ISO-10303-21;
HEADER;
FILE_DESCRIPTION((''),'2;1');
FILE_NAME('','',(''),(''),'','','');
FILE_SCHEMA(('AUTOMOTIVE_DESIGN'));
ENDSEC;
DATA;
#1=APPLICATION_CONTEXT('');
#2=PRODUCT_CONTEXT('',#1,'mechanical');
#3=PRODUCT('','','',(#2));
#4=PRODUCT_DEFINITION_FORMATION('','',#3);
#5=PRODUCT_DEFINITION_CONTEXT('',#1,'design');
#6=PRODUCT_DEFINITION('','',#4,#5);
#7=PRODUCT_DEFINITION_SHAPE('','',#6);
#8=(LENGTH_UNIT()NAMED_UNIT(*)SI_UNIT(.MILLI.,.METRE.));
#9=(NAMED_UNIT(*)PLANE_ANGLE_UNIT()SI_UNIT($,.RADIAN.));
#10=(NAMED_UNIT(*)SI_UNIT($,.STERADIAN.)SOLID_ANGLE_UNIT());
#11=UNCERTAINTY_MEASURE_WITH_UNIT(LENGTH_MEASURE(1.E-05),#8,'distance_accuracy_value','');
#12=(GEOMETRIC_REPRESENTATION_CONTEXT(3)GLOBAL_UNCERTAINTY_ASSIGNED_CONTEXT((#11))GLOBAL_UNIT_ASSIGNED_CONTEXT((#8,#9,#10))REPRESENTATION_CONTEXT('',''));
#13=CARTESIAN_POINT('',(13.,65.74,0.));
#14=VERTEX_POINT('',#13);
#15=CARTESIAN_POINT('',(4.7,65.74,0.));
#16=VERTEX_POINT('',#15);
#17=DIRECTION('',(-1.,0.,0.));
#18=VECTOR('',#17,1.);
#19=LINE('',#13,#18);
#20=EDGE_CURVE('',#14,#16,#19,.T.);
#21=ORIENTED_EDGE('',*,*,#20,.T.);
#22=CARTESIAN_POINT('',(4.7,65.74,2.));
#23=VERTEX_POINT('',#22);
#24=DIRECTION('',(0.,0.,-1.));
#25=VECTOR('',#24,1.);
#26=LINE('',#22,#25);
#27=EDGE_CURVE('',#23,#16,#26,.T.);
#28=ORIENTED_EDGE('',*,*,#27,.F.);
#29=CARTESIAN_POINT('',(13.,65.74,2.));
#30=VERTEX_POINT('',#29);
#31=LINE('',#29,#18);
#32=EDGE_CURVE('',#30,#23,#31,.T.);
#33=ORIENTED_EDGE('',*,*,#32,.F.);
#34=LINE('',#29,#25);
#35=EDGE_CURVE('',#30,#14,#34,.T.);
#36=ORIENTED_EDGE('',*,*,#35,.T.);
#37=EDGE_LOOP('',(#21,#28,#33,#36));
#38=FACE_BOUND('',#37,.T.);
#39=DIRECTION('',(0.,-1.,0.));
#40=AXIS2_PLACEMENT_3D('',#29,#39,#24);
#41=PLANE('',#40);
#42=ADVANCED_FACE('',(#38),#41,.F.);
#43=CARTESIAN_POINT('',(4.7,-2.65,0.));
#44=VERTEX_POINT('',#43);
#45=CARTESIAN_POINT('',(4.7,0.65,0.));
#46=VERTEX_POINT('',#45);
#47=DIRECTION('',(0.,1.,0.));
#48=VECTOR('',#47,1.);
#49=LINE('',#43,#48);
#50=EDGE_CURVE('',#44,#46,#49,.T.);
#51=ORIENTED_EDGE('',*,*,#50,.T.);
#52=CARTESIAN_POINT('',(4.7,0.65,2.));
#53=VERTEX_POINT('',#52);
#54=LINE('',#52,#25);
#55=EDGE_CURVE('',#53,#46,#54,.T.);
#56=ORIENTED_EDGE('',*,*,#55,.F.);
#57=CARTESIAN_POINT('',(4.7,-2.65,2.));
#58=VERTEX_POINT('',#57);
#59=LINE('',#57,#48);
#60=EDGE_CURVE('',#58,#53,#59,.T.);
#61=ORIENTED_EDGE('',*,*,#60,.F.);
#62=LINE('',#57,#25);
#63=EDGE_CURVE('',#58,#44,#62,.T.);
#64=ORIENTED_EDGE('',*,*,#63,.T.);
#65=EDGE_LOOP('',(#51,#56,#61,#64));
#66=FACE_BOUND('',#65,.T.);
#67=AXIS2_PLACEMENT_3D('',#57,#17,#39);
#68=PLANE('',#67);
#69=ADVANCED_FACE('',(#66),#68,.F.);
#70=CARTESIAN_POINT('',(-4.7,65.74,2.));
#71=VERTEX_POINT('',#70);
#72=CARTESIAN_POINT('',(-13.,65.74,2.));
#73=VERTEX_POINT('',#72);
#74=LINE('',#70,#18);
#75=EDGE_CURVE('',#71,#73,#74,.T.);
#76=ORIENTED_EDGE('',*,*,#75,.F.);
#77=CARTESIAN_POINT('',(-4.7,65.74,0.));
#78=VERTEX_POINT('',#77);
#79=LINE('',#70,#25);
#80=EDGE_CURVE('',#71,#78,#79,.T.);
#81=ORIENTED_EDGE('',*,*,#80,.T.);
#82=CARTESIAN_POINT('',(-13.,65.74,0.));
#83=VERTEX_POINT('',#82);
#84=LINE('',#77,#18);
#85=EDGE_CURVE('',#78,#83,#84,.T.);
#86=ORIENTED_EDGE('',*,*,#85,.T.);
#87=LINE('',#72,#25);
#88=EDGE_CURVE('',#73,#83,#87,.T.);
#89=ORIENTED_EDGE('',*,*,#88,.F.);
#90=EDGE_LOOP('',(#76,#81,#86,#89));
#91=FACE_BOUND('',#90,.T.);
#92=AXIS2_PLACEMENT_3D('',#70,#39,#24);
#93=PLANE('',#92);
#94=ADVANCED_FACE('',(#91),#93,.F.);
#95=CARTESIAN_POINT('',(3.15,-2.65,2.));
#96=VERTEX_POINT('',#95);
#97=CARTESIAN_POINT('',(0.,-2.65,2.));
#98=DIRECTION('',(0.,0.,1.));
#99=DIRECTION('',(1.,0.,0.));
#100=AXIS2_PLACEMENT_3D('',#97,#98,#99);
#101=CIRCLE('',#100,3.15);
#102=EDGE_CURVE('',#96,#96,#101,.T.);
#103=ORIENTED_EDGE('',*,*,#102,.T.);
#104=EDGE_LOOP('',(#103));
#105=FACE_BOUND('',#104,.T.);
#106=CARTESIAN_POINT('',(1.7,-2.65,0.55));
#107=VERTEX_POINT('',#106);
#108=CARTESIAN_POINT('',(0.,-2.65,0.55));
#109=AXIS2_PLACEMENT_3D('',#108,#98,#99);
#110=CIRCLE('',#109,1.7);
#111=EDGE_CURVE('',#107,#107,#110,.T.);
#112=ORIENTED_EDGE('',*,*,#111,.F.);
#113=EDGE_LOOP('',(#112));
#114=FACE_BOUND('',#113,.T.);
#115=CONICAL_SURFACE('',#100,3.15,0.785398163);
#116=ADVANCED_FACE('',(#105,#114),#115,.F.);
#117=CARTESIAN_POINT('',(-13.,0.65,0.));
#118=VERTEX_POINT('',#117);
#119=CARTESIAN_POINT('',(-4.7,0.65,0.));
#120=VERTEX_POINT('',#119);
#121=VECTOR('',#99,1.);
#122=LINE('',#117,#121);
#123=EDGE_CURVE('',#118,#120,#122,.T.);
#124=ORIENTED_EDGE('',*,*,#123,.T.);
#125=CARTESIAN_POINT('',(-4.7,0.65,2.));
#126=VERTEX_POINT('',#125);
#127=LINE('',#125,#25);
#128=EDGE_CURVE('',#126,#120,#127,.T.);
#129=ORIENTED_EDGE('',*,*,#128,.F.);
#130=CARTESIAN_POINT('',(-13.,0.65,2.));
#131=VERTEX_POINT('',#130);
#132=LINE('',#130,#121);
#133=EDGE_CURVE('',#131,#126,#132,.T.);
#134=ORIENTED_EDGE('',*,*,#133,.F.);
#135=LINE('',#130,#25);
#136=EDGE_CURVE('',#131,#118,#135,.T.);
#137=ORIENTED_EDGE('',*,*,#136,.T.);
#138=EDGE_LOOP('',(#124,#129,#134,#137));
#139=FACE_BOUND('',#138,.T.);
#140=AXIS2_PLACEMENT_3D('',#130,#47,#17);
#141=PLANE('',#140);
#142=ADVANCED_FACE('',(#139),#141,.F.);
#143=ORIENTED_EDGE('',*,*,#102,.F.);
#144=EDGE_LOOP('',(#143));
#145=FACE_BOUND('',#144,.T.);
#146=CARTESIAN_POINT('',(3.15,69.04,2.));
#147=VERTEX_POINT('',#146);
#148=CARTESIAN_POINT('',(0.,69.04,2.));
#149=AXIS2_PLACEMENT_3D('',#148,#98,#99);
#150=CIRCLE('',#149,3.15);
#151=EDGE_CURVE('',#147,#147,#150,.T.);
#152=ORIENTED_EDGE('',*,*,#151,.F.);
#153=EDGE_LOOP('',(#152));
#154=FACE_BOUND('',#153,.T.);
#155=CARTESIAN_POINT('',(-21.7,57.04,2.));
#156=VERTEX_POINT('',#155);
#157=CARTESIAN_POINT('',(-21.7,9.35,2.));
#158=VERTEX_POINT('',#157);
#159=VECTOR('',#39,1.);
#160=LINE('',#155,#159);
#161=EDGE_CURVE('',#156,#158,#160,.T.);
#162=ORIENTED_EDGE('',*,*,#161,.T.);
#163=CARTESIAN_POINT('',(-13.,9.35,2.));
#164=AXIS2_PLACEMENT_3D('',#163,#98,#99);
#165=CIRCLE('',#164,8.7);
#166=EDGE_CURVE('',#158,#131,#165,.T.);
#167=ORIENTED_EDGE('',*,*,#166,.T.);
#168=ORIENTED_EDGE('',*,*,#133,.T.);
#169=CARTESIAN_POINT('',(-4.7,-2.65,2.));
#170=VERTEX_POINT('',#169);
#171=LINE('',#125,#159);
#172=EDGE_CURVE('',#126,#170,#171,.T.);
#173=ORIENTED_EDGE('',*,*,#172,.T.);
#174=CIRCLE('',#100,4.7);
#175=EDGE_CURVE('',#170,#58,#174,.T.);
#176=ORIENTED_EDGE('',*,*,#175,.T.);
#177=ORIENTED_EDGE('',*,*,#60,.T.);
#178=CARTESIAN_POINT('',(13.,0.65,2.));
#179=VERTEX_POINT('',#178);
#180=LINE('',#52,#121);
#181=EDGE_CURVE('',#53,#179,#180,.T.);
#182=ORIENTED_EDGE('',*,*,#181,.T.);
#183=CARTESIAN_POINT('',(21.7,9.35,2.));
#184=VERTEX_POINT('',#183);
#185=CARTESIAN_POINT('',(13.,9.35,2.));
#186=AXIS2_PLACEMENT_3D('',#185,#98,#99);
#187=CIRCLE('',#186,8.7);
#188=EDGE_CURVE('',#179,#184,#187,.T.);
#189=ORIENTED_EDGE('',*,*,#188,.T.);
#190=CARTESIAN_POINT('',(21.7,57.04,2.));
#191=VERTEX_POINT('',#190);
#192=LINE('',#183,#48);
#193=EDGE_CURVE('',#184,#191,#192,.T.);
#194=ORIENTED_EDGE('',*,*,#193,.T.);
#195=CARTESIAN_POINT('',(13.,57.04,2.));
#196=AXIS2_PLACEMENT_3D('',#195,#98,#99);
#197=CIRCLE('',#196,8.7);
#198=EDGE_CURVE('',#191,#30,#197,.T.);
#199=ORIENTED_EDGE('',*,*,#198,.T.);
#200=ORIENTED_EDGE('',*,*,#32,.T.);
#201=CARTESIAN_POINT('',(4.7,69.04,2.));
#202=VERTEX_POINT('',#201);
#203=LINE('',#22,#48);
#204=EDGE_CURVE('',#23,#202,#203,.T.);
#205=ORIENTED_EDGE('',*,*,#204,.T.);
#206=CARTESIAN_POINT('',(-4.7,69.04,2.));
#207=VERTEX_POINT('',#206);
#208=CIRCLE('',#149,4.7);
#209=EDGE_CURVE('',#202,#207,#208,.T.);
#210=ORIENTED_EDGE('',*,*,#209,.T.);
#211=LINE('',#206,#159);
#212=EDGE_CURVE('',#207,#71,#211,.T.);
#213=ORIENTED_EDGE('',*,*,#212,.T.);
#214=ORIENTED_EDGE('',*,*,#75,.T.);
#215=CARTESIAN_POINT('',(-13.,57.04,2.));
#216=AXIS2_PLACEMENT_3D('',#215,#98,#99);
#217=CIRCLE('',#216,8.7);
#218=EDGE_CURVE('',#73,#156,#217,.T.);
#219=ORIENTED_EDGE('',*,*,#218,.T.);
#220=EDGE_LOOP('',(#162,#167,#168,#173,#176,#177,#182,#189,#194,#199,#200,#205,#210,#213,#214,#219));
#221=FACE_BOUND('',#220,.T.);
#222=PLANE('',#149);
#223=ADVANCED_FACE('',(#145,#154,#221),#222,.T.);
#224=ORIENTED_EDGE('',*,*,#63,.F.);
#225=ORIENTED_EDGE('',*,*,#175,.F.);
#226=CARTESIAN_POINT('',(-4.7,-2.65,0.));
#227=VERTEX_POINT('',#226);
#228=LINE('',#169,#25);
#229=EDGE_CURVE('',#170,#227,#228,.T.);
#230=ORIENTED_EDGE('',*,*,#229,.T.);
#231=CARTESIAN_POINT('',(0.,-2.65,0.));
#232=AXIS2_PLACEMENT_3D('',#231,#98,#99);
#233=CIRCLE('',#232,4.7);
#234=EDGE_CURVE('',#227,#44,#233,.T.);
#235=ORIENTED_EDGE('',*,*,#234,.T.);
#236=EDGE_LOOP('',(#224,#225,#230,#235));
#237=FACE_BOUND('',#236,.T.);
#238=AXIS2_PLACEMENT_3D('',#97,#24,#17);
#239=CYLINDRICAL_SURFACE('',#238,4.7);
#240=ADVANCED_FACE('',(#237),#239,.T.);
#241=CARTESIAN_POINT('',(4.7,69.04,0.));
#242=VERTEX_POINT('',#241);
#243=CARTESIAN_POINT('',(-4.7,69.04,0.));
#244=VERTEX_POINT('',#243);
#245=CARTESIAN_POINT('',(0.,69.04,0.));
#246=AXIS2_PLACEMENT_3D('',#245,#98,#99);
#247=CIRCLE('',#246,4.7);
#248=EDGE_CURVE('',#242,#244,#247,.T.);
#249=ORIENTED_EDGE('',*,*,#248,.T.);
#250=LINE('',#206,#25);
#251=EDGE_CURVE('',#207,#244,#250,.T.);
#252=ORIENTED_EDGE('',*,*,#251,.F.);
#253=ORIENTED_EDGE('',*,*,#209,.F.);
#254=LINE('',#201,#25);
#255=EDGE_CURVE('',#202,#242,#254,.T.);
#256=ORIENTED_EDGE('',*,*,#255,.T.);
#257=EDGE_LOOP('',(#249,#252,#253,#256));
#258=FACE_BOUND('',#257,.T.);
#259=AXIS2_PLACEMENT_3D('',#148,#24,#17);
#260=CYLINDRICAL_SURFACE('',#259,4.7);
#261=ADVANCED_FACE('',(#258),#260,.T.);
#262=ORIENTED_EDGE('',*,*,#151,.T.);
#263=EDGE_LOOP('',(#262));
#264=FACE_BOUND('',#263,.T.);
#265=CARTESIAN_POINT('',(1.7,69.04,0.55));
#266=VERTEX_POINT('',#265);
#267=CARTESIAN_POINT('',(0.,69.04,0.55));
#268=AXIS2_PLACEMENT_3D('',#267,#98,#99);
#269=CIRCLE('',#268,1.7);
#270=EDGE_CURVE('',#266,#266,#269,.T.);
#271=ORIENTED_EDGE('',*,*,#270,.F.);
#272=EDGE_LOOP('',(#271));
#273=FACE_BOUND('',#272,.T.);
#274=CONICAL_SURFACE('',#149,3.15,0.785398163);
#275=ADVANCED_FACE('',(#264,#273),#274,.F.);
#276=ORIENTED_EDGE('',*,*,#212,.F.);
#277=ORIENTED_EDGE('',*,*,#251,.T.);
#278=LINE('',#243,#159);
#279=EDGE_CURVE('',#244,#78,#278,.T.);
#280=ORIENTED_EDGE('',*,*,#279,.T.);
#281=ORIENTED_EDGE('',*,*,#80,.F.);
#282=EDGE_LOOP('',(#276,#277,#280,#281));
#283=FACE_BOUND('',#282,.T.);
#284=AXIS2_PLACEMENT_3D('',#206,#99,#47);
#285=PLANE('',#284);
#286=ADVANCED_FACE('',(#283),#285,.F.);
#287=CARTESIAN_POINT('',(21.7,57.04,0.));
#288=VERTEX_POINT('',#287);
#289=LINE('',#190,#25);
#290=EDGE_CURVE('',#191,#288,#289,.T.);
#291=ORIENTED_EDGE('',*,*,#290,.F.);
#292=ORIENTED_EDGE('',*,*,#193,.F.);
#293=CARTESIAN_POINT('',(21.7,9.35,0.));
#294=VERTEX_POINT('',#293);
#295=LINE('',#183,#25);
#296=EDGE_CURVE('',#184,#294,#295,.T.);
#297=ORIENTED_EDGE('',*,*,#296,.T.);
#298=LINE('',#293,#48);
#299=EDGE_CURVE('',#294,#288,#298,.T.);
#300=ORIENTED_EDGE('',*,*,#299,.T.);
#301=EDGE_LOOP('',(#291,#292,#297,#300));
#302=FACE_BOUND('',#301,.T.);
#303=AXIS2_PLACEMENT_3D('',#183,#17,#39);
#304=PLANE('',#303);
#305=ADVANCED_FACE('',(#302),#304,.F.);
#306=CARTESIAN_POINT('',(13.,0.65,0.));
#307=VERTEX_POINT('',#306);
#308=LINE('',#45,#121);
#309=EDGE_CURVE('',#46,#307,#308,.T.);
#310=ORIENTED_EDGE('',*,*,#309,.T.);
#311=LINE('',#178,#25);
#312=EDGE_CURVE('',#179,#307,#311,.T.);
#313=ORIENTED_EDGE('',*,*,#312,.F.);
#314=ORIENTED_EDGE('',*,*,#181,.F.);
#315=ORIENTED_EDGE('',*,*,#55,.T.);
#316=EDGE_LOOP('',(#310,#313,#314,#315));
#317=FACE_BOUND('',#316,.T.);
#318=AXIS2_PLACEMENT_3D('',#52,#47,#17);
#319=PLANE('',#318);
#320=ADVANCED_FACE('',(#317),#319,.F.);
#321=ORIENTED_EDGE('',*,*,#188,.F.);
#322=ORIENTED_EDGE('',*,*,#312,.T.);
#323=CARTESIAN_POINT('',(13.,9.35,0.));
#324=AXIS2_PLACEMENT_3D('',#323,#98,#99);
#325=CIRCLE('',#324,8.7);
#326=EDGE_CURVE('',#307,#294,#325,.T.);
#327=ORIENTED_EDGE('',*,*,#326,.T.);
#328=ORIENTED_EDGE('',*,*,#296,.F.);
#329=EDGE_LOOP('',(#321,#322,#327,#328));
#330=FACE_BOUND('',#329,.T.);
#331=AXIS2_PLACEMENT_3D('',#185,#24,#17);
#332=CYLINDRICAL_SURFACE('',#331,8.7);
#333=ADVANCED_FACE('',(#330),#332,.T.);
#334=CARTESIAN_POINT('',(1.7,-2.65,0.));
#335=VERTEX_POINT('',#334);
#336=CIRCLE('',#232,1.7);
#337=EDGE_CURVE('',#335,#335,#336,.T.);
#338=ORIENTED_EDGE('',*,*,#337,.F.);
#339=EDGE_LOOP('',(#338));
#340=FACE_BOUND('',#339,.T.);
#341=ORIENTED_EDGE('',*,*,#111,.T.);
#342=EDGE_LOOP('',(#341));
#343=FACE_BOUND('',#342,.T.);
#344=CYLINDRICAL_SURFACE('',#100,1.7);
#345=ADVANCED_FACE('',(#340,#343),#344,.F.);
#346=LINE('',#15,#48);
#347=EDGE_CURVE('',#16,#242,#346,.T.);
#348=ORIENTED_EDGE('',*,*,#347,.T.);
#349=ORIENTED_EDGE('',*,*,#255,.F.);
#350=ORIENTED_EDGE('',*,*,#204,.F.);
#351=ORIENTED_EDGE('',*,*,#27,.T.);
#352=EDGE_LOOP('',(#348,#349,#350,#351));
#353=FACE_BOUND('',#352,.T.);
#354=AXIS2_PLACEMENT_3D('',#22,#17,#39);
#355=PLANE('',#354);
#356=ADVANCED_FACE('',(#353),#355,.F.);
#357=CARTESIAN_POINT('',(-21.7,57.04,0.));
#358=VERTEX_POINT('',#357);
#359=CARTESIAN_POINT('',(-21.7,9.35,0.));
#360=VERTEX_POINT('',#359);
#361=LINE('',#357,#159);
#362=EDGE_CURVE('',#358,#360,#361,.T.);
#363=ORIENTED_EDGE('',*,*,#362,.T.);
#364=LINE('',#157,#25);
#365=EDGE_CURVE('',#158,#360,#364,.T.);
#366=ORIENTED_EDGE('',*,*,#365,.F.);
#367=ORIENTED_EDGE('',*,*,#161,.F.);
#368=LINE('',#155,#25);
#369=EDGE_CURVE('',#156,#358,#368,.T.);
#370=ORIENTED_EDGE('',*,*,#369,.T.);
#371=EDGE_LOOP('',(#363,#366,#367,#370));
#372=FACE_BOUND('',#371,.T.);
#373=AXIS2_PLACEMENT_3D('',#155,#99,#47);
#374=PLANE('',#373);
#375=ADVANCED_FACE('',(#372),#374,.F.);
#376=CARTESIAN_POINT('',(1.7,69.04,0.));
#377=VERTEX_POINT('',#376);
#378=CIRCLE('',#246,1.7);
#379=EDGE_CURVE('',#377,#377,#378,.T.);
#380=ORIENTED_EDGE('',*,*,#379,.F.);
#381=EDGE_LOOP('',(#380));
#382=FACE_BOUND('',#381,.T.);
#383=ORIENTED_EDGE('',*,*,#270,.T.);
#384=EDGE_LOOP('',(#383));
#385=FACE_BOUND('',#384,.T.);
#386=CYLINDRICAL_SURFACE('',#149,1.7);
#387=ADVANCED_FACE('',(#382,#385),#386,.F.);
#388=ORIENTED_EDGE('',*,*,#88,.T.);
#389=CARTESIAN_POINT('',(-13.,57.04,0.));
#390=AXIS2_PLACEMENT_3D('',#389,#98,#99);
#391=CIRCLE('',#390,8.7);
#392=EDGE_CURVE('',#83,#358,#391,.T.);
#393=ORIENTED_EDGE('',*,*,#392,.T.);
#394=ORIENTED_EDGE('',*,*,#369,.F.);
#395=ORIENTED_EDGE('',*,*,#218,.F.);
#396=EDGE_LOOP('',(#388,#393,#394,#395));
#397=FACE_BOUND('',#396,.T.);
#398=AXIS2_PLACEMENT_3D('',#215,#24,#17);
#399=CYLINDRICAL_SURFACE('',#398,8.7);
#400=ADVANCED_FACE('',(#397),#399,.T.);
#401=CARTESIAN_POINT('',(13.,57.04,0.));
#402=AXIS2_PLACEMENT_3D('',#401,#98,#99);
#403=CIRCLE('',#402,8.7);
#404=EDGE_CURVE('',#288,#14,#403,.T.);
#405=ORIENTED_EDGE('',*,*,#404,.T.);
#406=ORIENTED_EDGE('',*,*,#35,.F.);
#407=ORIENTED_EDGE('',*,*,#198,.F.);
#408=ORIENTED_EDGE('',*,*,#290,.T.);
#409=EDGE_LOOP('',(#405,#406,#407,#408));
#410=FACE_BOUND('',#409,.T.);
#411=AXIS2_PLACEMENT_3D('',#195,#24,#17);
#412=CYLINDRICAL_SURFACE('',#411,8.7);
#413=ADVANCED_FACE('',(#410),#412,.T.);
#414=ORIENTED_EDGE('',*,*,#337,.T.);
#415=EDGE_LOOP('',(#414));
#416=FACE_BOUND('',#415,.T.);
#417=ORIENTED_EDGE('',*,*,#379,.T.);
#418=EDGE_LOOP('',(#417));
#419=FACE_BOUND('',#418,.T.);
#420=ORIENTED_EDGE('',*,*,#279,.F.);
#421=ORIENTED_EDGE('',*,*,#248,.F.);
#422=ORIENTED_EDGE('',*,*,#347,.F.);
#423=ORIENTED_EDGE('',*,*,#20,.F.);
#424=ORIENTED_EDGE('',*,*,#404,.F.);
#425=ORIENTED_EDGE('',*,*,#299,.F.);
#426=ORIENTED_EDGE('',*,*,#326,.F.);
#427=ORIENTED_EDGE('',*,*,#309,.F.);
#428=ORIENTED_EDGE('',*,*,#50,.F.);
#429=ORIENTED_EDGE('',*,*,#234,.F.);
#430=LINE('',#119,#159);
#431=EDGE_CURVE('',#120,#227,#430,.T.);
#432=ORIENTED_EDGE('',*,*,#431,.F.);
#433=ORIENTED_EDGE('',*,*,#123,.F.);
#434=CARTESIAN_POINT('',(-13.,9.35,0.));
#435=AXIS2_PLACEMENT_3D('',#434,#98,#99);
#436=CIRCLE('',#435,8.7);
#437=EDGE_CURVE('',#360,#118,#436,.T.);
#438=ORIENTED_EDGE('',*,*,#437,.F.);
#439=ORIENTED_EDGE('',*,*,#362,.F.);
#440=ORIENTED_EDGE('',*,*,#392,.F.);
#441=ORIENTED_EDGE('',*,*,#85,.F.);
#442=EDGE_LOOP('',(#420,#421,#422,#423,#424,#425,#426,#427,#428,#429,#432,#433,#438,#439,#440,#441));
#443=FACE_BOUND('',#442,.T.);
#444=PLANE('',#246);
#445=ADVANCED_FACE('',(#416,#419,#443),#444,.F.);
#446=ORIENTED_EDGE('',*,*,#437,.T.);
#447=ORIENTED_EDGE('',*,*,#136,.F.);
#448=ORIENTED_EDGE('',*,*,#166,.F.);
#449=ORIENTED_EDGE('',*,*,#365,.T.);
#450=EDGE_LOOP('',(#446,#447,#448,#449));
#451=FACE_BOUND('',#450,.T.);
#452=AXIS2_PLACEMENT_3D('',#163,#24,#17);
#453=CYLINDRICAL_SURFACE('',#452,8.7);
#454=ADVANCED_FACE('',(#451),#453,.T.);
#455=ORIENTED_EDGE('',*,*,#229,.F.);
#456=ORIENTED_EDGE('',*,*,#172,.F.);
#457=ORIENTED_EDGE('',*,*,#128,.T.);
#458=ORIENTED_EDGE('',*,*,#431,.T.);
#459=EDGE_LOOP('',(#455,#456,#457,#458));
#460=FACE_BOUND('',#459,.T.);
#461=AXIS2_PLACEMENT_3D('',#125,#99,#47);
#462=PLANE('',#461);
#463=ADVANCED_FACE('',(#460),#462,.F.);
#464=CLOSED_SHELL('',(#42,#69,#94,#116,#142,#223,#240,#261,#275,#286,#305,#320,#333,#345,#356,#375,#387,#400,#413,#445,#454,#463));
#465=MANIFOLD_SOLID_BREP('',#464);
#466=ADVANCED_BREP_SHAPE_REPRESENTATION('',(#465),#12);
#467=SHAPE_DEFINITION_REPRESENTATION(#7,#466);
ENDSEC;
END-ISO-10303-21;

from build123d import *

# Parameters (mm, degrees)
BOSS_EXTRU_1_DEPTH                          = 2
FRAISAGE_POUR_VIS_T_TE_FRAIS_E_M31_AT_COUNT = 2
FRAISAGE_POUR_VIS_T_TE_FRAIS_E_M31_AT_PITCH = 71.69


with BuildPart() as part:
    # Esquisse1 → Boss.-Extru.1 (new body)
    with BuildSketch(Plane.XY):
        with BuildLine():
            Line((-4.7, 69.04), (-4.7, 65.74))
            Line((-4.7, 65.74), (-13, 65.74))
            ThreePointArc((-13, 65.74), (-19.151828996, 63.191828996), (-21.7, 57.04))
            Line((-21.7, 57.04), (-21.7, 9.35))
            ThreePointArc((-21.7, 9.35), (-19.151828996, 3.198171004), (-13, 0.65))
            Line((-13, 0.65), (-4.7, 0.65))
            Line((-4.7, 0.65), (-4.7, -2.65))
            ThreePointArc((-4.7, -2.65), (0, -7.35), (4.7, -2.65))
            Line((4.7, -2.65), (4.7, 0.65))
            Line((4.7, 0.65), (13, 0.65))
            ThreePointArc((13, 0.65), (19.151828996, 3.198171004), (21.7, 9.35))
            Line((21.7, 9.35), (21.7, 57.04))
            ThreePointArc((21.7, 57.04), (19.151828996, 63.191828996), (13, 65.74))
            Line((13, 65.74), (4.7, 65.74))
            Line((4.7, 65.74), (4.7, 69.04))
            ThreePointArc((4.7, 69.04), (0, 73.74), (-4.7, 69.04))
        make_face()
    extrude(amount=BOSS_EXTRU_1_DEPTH)

    # Esquisse4 → Fraisage pour vis à tête fraisée M31 (revolve, cut)
    with BuildSketch(Plane(origin=(0, 69.04, 2), x_dir=(0, -1, 0), z_dir=(1, 0, 0))):
        Polygon((0, 0), (0, 2), (1.7, 2), (1.7, 1.45), (3.15, 0), align=None)
    fraisage_pour_vis_t_te_frais_e_m31 = revolve(axis=Axis((0, 69.04, 8.35), (0, 0, -1)), mode=Mode.SUBTRACT)

    # Fraisage pour vis à tête fraisée M31 at: Fraisage pour vis à tête fraisée M31 ×2
    with Locations(*[(0, -i * FRAISAGE_POUR_VIS_T_TE_FRAIS_E_M31_AT_PITCH, 0) for i in range(1, FRAISAGE_POUR_VIS_T_TE_FRAIS_E_M31_AT_COUNT)]):
        add(fraisage_pour_vis_t_te_frais_e_m31, mode=Mode.SUBTRACT)


solid = part.part
